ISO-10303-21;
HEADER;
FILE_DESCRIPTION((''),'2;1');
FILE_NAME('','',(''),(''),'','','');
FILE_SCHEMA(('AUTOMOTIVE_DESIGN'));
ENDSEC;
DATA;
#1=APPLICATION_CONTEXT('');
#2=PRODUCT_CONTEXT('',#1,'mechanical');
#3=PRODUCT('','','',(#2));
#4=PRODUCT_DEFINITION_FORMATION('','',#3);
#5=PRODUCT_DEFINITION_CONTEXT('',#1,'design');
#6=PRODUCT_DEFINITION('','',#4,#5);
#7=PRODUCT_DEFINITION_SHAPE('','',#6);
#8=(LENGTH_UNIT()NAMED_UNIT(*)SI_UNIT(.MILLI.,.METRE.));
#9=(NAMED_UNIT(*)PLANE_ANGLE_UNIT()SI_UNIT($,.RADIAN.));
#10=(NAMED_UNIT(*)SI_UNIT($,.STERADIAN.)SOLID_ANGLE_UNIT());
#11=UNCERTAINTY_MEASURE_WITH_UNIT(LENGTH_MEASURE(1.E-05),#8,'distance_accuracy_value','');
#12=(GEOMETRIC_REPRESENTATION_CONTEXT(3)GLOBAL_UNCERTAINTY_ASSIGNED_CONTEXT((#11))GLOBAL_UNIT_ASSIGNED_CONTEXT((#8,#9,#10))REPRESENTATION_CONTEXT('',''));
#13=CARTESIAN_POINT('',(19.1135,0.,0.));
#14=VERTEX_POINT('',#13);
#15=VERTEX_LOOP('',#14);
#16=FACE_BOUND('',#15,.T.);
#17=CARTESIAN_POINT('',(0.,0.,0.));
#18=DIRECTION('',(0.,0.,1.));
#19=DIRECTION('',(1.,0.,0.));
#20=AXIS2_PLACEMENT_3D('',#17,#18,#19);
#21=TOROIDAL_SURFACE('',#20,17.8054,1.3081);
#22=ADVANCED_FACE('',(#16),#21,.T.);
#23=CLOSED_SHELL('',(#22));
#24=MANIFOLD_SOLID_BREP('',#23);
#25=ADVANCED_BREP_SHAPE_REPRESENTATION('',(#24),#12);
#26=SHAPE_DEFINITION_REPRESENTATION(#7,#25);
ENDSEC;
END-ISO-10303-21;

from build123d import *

# Parameters (mm, degrees)
SKETCH1_R = 1.3081


with BuildPart() as part:
    # Sketch1 → Revolve1 (revolve)
    with BuildSketch(Plane(origin=(0, 0, 0), x_dir=(0, -1, 0), z_dir=(1, 0, 0))):
        with Locations((17.8054, 0)):
            Circle(SKETCH1_R)
    revolve(axis=Axis((0, 0, 1.3081), (0, 0, -1)))


solid = part.part
